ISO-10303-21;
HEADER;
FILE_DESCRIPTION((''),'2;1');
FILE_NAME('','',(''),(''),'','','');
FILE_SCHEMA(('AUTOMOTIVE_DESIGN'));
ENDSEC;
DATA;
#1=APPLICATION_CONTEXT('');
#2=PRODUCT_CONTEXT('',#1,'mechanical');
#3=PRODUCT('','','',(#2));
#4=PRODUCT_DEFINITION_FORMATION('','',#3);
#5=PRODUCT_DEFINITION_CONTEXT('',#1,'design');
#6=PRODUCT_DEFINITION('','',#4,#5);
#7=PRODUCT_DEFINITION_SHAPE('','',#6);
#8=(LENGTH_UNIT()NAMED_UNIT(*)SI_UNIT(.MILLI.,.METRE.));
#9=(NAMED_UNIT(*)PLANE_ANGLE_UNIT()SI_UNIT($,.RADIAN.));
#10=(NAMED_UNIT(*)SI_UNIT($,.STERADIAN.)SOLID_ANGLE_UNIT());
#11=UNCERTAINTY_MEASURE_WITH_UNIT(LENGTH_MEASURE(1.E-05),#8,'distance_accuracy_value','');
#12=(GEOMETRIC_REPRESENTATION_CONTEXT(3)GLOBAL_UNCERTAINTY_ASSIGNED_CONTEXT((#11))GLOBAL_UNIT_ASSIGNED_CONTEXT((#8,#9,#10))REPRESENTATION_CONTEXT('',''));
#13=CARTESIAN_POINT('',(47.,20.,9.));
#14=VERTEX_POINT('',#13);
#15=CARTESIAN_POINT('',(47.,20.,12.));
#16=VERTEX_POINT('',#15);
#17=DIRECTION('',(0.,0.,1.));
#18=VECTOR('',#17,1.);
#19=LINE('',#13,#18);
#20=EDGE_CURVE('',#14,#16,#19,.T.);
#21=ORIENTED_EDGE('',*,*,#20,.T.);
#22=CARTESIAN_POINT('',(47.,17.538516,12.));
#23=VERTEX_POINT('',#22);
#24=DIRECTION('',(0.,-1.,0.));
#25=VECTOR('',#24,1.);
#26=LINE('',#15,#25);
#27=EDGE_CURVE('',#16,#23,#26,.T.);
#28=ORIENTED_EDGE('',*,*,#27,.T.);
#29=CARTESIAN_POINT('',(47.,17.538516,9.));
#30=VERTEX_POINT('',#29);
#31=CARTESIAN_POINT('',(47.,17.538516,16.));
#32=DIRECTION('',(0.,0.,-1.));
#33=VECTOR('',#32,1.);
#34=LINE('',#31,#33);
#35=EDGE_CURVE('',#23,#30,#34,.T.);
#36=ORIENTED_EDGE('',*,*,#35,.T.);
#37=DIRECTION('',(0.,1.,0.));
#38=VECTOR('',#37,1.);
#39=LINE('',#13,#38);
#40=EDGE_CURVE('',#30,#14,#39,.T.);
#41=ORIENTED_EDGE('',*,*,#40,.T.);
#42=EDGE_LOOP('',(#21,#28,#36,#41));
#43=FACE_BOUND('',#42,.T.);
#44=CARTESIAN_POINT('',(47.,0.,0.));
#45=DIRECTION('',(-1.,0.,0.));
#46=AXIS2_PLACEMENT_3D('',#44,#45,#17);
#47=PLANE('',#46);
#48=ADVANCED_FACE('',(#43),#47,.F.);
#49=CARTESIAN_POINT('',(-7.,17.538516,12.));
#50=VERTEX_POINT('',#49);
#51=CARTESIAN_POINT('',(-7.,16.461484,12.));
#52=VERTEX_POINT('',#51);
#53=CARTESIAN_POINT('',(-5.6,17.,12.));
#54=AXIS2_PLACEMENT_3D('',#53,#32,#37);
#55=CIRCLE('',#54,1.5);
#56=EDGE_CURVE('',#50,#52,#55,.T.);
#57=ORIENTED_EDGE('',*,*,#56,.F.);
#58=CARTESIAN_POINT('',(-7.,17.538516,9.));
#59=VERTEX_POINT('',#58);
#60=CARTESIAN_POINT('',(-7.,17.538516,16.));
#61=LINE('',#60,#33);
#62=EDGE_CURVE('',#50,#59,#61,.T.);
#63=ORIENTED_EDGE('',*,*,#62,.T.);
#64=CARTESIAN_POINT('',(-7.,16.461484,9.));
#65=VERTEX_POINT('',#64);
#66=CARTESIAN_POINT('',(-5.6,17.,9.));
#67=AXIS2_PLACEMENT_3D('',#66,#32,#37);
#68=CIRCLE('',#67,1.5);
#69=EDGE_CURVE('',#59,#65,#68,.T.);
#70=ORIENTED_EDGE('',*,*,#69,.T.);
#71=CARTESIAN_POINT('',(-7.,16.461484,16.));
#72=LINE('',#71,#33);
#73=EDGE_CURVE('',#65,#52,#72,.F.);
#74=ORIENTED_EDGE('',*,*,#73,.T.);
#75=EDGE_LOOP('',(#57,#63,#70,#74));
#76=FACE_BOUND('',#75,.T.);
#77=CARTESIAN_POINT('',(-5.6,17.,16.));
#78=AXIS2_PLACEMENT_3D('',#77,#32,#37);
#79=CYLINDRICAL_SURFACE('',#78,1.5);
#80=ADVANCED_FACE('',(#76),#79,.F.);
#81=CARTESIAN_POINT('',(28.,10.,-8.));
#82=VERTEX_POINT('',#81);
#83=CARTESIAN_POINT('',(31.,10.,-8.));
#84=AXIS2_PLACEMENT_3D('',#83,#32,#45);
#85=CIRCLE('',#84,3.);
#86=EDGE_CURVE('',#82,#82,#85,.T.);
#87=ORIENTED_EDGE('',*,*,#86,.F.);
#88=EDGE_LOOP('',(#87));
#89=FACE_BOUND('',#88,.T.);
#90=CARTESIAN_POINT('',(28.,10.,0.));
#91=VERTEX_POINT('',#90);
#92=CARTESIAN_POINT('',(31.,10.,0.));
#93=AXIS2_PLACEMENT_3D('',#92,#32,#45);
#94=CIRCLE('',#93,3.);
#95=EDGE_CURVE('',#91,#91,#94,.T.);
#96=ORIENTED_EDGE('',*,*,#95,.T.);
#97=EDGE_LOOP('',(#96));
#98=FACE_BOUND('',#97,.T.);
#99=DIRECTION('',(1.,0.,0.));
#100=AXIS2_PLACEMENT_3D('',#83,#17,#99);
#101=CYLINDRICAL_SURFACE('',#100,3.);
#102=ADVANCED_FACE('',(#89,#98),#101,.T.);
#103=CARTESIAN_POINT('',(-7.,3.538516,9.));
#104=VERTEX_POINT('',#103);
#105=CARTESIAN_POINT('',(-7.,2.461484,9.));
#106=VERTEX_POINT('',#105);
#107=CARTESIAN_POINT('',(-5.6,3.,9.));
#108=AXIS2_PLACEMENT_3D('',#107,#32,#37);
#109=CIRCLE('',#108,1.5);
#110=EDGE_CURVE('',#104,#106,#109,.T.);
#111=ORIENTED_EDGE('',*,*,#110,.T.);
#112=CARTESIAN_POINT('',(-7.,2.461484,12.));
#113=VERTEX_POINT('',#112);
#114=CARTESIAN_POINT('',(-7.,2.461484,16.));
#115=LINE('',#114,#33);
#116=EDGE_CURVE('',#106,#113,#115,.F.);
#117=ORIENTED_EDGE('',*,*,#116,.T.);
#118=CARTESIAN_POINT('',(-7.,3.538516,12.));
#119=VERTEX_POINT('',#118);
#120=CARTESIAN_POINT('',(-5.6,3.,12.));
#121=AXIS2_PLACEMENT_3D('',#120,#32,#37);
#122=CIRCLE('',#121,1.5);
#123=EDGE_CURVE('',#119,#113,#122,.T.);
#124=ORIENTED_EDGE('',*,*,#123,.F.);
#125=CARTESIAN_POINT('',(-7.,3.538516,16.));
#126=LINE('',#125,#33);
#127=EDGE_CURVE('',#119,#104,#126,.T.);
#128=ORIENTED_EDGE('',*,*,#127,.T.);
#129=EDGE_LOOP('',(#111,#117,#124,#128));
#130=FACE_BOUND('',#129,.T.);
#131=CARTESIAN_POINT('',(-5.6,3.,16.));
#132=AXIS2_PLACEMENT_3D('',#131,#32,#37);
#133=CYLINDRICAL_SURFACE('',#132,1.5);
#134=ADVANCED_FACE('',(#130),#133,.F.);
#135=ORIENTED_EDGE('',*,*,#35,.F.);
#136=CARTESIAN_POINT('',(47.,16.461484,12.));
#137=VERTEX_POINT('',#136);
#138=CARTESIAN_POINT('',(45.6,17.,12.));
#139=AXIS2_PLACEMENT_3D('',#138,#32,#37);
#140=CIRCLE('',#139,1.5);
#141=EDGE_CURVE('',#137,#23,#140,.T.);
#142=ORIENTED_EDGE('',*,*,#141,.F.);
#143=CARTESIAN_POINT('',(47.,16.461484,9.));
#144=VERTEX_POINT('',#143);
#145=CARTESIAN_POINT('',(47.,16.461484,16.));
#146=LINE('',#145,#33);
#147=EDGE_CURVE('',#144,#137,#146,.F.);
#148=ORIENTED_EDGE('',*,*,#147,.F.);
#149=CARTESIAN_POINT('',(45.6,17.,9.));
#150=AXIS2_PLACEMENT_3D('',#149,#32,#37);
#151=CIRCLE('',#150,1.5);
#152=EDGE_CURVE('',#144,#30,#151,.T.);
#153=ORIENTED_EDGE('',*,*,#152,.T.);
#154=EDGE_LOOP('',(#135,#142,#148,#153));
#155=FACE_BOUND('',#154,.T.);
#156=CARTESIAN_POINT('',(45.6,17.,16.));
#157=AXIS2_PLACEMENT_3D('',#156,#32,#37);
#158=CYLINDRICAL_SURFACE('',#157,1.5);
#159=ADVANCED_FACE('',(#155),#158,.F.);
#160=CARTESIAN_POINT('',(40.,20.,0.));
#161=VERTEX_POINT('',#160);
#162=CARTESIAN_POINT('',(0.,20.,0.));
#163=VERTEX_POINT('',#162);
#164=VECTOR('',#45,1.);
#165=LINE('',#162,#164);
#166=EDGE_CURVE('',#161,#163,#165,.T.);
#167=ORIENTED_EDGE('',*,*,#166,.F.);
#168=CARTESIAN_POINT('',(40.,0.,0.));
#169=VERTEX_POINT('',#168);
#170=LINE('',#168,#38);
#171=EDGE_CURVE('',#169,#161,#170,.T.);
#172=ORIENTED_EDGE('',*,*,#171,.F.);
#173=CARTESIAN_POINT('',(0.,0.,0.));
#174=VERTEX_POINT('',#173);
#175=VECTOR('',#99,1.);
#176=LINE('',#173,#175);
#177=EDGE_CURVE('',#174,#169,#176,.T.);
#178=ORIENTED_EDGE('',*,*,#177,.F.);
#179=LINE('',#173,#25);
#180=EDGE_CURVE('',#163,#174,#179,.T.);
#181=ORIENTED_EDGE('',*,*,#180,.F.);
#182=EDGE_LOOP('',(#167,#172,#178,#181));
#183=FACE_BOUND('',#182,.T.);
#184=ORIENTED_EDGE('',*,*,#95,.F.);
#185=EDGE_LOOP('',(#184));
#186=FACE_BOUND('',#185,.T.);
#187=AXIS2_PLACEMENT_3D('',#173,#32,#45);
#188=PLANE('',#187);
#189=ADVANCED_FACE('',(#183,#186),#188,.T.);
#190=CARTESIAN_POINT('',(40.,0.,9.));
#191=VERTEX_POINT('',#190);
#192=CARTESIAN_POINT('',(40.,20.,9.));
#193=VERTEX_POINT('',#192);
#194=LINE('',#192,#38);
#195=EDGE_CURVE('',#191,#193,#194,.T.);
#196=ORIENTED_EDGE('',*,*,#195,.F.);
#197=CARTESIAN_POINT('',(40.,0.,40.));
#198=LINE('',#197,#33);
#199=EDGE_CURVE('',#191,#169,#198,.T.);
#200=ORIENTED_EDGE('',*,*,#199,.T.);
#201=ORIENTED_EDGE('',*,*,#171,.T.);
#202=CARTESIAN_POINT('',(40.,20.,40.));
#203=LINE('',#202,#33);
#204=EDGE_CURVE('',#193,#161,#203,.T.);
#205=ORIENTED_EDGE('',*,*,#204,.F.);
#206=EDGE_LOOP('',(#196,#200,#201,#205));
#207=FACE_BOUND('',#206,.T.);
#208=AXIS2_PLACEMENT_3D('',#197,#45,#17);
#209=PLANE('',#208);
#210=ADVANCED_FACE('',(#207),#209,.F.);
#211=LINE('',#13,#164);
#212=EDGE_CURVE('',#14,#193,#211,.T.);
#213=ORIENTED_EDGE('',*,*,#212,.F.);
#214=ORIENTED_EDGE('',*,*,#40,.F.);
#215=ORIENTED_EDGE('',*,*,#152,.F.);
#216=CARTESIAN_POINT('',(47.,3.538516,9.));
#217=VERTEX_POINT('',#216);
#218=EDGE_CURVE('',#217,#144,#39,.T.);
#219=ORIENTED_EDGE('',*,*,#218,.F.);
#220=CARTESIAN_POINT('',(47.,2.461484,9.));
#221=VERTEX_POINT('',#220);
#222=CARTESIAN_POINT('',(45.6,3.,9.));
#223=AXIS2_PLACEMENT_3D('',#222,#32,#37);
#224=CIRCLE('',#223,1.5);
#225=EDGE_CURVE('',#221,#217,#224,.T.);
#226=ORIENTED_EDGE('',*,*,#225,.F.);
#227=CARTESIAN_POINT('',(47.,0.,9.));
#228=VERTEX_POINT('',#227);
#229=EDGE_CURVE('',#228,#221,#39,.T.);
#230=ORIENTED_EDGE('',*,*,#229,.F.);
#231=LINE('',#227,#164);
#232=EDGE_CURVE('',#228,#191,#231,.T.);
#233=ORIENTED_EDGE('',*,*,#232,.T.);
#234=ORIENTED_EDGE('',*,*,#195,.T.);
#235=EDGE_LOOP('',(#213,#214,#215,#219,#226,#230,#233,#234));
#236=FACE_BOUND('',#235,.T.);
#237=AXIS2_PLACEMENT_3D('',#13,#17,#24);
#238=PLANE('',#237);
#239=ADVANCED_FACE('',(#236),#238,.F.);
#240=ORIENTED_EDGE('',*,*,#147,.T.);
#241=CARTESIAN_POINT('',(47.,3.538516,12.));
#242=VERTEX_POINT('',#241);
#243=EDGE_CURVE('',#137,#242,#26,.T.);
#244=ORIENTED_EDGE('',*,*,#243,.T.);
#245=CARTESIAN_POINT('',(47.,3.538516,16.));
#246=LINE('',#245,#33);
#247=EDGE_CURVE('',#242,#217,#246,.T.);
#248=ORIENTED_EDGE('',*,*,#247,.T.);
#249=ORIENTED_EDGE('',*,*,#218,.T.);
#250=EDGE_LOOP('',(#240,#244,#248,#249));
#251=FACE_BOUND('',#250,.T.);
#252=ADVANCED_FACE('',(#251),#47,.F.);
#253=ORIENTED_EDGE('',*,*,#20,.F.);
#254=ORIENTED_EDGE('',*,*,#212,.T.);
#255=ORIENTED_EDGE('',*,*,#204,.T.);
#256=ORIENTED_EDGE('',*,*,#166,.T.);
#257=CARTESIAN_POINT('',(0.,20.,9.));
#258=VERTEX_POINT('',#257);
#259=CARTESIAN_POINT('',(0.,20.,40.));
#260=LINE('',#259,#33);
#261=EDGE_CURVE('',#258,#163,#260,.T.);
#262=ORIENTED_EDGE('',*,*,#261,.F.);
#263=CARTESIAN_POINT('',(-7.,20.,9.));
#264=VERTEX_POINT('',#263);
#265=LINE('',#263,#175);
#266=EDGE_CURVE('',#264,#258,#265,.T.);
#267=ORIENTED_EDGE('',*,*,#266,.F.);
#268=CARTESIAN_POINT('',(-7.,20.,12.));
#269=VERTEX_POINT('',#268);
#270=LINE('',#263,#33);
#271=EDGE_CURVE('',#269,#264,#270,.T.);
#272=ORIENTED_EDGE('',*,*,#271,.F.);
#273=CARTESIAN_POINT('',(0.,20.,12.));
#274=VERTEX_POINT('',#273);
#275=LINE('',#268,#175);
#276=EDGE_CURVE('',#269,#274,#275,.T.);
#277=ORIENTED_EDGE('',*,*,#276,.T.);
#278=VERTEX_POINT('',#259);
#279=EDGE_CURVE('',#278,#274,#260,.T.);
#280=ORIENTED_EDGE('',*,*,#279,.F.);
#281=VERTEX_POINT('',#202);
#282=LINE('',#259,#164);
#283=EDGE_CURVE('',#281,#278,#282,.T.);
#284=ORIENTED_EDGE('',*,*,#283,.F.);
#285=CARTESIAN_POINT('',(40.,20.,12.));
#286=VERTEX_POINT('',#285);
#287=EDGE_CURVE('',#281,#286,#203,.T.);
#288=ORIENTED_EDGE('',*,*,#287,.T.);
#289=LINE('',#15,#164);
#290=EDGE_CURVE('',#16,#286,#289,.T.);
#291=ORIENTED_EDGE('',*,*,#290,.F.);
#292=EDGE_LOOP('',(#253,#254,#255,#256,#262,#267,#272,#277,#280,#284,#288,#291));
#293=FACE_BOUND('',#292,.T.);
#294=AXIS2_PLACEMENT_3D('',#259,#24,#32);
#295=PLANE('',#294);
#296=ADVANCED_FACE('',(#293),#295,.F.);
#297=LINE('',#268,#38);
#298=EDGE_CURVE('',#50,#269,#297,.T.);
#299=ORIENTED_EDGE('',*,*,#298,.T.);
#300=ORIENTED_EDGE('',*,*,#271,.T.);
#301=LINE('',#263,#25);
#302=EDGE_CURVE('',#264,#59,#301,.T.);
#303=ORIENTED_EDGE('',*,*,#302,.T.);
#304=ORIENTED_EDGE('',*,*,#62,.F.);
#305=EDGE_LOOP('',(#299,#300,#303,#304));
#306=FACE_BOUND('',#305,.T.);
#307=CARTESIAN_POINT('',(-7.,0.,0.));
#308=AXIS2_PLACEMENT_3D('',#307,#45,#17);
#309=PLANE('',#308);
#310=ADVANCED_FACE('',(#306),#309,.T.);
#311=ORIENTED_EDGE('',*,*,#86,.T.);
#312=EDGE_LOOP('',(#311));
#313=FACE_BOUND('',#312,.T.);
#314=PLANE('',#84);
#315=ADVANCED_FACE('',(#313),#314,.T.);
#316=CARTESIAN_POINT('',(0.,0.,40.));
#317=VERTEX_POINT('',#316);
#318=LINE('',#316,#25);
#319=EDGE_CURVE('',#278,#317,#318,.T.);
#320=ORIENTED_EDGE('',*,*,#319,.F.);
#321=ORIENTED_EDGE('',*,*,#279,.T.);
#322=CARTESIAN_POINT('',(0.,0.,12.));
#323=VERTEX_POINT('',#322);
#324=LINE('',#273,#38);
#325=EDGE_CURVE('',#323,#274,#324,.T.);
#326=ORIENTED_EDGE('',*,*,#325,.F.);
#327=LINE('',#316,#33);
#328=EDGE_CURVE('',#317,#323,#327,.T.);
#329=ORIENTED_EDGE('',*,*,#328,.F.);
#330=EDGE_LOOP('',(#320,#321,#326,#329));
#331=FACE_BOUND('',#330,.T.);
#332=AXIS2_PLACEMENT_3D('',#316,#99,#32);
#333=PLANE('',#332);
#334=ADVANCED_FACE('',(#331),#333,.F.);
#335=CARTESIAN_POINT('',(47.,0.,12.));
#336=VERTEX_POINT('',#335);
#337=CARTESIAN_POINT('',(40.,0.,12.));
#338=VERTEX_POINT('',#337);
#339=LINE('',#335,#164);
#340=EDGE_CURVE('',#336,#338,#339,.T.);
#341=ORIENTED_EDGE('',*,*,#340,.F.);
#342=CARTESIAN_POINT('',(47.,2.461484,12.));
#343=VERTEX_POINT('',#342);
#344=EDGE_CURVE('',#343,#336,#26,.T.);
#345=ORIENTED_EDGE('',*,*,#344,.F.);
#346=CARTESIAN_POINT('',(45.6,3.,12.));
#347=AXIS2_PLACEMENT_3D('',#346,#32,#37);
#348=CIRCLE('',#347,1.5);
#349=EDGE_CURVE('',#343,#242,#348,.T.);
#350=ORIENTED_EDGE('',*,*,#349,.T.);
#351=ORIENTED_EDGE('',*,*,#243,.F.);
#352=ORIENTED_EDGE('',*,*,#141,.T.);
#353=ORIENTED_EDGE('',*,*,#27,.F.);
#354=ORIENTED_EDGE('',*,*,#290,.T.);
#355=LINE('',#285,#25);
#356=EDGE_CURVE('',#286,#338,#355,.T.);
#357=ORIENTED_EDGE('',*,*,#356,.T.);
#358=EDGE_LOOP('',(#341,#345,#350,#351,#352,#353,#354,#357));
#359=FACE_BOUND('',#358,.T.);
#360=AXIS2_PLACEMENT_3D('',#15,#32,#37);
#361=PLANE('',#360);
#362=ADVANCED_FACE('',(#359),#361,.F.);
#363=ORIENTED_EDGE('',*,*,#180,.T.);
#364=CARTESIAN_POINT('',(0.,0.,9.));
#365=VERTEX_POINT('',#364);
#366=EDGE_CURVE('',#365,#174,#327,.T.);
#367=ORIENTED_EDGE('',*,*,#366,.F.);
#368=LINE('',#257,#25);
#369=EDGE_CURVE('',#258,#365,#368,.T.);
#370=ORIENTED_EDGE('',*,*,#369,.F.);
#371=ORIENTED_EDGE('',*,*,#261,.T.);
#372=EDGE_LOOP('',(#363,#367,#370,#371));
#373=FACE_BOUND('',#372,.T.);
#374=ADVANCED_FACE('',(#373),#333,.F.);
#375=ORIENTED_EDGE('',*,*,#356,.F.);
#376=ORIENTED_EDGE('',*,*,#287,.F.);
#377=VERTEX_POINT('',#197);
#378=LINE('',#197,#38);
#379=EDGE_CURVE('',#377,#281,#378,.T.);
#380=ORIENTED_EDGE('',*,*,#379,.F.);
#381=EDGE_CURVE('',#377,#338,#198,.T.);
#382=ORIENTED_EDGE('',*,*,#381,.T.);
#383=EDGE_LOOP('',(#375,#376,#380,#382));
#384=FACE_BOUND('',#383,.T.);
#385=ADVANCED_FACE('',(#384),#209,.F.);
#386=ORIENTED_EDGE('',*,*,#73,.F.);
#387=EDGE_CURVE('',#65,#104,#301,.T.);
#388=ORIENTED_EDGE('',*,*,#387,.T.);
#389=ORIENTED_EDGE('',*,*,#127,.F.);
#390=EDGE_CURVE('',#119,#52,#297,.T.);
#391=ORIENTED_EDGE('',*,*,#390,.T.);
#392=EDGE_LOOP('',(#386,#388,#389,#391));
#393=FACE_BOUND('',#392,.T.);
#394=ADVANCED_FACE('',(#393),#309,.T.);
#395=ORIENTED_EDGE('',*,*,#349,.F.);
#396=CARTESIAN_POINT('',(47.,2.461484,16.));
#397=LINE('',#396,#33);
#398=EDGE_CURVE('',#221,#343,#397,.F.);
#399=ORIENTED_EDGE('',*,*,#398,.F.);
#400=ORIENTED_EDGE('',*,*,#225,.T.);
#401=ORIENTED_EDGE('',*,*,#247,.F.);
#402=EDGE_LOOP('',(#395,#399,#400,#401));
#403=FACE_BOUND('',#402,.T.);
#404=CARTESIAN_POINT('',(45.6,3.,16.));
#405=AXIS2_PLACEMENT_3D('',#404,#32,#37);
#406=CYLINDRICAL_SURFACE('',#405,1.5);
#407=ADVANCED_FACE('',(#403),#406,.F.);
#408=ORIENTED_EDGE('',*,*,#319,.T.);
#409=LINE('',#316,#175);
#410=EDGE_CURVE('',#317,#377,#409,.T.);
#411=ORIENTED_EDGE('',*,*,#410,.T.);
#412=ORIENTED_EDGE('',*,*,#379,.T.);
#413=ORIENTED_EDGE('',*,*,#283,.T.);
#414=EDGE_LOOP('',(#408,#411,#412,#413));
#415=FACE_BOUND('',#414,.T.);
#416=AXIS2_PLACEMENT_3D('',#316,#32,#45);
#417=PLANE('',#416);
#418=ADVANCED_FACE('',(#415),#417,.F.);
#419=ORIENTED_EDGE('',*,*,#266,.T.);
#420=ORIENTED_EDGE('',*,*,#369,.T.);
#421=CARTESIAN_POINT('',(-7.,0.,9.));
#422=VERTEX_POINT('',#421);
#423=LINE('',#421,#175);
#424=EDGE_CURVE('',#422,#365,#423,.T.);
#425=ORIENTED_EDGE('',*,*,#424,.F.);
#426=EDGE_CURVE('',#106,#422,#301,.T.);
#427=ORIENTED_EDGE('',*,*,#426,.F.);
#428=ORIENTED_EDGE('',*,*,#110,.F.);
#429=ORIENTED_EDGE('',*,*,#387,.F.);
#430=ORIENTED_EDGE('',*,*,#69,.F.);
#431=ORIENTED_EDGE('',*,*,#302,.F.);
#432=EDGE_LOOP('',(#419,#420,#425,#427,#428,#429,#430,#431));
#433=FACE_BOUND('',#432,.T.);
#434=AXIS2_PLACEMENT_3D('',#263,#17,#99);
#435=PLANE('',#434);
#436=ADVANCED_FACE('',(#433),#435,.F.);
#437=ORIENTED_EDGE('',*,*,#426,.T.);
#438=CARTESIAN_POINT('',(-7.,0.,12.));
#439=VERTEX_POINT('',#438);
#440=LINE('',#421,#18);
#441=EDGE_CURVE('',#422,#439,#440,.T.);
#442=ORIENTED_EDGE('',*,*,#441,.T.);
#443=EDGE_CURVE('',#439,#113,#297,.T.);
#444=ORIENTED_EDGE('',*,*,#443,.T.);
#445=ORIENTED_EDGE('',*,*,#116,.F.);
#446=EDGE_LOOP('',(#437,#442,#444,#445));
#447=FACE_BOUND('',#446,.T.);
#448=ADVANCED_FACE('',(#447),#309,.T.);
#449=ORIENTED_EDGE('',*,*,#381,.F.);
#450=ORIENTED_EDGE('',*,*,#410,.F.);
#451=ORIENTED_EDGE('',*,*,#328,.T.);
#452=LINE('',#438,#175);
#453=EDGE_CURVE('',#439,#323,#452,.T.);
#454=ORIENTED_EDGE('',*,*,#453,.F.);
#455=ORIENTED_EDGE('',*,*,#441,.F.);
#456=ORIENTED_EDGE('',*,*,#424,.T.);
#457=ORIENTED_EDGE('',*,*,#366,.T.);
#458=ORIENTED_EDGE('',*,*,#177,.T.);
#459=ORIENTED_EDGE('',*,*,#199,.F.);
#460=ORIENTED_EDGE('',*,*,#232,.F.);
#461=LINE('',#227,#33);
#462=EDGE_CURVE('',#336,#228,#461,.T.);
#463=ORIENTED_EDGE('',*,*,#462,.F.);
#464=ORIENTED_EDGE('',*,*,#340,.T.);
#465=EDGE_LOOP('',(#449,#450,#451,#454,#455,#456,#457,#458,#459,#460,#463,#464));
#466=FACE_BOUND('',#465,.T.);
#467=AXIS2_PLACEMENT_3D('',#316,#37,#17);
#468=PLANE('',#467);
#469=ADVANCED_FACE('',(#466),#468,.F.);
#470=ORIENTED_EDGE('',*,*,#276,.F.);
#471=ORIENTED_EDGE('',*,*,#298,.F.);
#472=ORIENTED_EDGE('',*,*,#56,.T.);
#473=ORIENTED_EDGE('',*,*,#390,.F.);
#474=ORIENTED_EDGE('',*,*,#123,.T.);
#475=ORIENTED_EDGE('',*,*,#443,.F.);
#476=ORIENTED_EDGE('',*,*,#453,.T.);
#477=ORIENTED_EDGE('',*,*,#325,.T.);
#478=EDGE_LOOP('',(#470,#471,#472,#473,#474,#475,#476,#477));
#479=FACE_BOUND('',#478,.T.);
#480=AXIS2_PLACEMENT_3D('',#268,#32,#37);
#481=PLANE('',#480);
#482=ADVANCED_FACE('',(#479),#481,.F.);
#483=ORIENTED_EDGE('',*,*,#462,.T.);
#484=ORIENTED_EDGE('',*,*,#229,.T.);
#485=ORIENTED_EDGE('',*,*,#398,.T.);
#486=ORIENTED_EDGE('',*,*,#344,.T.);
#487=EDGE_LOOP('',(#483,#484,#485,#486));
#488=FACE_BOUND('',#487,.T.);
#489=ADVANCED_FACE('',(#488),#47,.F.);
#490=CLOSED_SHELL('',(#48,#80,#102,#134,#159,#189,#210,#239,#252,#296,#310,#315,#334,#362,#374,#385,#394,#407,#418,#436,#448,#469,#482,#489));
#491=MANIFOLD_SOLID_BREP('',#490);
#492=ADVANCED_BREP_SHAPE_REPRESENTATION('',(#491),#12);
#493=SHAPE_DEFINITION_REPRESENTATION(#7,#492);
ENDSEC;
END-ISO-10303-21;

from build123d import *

# Parameters (mm, degrees)
ESQUISSE1_W             = 40
ESQUISSE1_H             = 20
BOSS_EXTRU_1_DEPTH      = 40
ESQUISSE3_W             = 3
ESQUISSE3_H             = 20
BOSS_EXTRU_2_DEPTH      = 7
ESQUISSE4_W             = 3
ESQUISSE4_H             = 20
BOSS_EXTRU_3_DEPTH      = 7
ESQUISSE5_R             = 1.5
ENL_V_MAT_EXTRU_3_DEPTH = 7
ESQUISSE6_R             = 3
BOSS_EXTRU_4_DEPTH      = 8


with BuildPart() as part:
    # Esquisse1 → Boss.-Extru.1 (new body)
    with BuildSketch(Plane.XY):
        with Locations((20, 10)):
            Rectangle(ESQUISSE1_W, ESQUISSE1_H)
    extrude(amount=BOSS_EXTRU_1_DEPTH)

    # Esquisse3 → Boss.-Extru.2 (add)
    with BuildSketch(Plane(origin=(40, 0, 0), x_dir=(0, 0, -1), z_dir=(1, 0, 0))):
        with Locations((-10.5, 10)):
            Rectangle(ESQUISSE3_W, ESQUISSE3_H)
    extrude(amount=BOSS_EXTRU_2_DEPTH)

    # Esquisse4 → Boss.-Extru.3 (add)
    with BuildSketch(Plane.ZY):
        with Locations((10.5, 10)):
            Rectangle(ESQUISSE4_W, ESQUISSE4_H)
    extrude(amount=BOSS_EXTRU_3_DEPTH)

    # Esquisse5 → Enlèv. mat.-Extru.3 (cut)
    with BuildSketch(Plane(origin=(0, 0, 9), x_dir=(-1, 0, 0), z_dir=(0, 0, -1))):
        with Locations((-45.6, 17)):
            Circle(ESQUISSE5_R)
        with Locations((-45.6, 3)):
            Circle(ESQUISSE5_R)
        with Locations((5.6, 17)):
            Circle(ESQUISSE5_R)
        with Locations((5.6, 3)):
            Circle(ESQUISSE5_R)
    extrude(amount=-ENL_V_MAT_EXTRU_3_DEPTH, mode=Mode.SUBTRACT)

    # Esquisse6 → Boss.-Extru.4 (add)
    with BuildSketch(Plane(origin=(0, 0, 0), x_dir=(-1, 0, 0), z_dir=(0, 0, -1))):
        with Locations((-31, 10)):
            Circle(ESQUISSE6_R)
    extrude(amount=BOSS_EXTRU_4_DEPTH)


solid = part.part
